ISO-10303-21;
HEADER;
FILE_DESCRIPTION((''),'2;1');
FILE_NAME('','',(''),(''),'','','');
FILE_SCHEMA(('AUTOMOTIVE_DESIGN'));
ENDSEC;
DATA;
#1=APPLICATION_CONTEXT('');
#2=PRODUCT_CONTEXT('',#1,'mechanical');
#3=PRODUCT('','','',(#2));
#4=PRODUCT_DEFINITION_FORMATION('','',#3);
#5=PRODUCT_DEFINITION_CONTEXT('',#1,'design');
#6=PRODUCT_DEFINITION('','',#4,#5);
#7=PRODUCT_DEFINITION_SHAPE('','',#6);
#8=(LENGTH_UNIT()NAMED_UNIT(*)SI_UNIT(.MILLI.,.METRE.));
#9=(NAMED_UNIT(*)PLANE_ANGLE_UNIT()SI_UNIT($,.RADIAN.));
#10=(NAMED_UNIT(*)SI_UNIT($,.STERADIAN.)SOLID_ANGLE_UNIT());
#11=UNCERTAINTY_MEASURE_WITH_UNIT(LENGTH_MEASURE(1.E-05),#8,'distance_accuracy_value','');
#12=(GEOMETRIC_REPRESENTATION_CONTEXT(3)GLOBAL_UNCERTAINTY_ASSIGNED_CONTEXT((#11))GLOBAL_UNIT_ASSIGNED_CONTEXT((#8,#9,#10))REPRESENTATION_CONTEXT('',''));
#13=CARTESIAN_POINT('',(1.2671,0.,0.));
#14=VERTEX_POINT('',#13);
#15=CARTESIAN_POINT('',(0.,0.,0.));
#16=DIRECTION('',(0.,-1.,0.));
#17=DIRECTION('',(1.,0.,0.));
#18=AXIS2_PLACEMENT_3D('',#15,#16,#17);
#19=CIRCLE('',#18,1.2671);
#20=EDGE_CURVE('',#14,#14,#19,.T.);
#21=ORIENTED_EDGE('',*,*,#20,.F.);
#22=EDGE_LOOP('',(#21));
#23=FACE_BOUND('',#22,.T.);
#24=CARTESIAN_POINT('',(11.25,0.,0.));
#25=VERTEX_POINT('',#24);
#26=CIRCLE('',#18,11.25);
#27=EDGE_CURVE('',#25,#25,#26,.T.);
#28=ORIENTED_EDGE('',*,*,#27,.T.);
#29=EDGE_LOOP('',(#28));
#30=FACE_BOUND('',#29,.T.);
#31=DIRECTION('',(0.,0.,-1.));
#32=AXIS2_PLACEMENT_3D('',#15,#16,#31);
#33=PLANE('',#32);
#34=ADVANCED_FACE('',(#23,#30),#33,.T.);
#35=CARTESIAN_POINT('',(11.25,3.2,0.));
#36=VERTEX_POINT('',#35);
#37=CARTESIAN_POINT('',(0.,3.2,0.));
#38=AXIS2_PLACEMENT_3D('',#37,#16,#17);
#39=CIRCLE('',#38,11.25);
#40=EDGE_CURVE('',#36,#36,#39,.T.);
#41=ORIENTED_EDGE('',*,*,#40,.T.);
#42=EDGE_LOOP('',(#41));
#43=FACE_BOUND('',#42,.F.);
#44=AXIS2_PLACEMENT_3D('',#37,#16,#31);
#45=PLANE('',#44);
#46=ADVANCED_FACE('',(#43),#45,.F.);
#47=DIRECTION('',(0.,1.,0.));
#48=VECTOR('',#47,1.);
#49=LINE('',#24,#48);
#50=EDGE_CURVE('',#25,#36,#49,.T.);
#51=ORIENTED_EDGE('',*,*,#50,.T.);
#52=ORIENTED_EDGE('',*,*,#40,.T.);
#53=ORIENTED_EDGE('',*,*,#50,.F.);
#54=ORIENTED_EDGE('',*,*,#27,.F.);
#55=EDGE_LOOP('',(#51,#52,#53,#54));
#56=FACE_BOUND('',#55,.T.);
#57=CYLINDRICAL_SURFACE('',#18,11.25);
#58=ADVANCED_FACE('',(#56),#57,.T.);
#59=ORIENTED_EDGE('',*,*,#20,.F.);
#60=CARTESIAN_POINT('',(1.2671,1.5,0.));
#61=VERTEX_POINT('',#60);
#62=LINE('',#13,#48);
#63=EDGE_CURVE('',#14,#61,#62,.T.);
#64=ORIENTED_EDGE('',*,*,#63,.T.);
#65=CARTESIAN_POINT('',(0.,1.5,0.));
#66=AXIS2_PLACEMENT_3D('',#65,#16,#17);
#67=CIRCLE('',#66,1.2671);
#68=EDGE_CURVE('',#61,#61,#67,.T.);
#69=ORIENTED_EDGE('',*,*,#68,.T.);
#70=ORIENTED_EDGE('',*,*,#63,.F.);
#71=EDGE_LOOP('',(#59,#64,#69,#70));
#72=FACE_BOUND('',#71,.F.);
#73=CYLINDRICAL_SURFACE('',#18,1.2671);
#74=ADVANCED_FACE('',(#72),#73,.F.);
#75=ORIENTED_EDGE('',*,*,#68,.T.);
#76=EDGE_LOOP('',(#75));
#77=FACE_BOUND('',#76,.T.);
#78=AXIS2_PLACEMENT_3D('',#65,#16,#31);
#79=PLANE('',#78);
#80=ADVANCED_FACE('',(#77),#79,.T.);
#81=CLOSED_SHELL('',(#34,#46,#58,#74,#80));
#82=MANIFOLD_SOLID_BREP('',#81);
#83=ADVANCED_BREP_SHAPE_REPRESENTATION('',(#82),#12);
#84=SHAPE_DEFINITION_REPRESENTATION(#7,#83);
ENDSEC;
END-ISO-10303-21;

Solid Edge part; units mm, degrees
sketch "Sketch1" plane through (0, 0, 0) normal (0, -1, 0) x (1, 0, 0)
  circle A0 centre (0, 0) radius 11.25
  dimension "D1" = 22.5
extrude "Protrusion1" add sketch "Sketch1" against normal blind 3.2
sketch "Sketch2" plane through (0, 0, 0) normal (0, -1, 0) x (1, 0, 0)
  circle A0 centre (0, 0) radius 1.2671
extrude "Enlèvement_matière_1" cut sketch "Sketch2" against normal blind 1.5
properties material "Acier"
